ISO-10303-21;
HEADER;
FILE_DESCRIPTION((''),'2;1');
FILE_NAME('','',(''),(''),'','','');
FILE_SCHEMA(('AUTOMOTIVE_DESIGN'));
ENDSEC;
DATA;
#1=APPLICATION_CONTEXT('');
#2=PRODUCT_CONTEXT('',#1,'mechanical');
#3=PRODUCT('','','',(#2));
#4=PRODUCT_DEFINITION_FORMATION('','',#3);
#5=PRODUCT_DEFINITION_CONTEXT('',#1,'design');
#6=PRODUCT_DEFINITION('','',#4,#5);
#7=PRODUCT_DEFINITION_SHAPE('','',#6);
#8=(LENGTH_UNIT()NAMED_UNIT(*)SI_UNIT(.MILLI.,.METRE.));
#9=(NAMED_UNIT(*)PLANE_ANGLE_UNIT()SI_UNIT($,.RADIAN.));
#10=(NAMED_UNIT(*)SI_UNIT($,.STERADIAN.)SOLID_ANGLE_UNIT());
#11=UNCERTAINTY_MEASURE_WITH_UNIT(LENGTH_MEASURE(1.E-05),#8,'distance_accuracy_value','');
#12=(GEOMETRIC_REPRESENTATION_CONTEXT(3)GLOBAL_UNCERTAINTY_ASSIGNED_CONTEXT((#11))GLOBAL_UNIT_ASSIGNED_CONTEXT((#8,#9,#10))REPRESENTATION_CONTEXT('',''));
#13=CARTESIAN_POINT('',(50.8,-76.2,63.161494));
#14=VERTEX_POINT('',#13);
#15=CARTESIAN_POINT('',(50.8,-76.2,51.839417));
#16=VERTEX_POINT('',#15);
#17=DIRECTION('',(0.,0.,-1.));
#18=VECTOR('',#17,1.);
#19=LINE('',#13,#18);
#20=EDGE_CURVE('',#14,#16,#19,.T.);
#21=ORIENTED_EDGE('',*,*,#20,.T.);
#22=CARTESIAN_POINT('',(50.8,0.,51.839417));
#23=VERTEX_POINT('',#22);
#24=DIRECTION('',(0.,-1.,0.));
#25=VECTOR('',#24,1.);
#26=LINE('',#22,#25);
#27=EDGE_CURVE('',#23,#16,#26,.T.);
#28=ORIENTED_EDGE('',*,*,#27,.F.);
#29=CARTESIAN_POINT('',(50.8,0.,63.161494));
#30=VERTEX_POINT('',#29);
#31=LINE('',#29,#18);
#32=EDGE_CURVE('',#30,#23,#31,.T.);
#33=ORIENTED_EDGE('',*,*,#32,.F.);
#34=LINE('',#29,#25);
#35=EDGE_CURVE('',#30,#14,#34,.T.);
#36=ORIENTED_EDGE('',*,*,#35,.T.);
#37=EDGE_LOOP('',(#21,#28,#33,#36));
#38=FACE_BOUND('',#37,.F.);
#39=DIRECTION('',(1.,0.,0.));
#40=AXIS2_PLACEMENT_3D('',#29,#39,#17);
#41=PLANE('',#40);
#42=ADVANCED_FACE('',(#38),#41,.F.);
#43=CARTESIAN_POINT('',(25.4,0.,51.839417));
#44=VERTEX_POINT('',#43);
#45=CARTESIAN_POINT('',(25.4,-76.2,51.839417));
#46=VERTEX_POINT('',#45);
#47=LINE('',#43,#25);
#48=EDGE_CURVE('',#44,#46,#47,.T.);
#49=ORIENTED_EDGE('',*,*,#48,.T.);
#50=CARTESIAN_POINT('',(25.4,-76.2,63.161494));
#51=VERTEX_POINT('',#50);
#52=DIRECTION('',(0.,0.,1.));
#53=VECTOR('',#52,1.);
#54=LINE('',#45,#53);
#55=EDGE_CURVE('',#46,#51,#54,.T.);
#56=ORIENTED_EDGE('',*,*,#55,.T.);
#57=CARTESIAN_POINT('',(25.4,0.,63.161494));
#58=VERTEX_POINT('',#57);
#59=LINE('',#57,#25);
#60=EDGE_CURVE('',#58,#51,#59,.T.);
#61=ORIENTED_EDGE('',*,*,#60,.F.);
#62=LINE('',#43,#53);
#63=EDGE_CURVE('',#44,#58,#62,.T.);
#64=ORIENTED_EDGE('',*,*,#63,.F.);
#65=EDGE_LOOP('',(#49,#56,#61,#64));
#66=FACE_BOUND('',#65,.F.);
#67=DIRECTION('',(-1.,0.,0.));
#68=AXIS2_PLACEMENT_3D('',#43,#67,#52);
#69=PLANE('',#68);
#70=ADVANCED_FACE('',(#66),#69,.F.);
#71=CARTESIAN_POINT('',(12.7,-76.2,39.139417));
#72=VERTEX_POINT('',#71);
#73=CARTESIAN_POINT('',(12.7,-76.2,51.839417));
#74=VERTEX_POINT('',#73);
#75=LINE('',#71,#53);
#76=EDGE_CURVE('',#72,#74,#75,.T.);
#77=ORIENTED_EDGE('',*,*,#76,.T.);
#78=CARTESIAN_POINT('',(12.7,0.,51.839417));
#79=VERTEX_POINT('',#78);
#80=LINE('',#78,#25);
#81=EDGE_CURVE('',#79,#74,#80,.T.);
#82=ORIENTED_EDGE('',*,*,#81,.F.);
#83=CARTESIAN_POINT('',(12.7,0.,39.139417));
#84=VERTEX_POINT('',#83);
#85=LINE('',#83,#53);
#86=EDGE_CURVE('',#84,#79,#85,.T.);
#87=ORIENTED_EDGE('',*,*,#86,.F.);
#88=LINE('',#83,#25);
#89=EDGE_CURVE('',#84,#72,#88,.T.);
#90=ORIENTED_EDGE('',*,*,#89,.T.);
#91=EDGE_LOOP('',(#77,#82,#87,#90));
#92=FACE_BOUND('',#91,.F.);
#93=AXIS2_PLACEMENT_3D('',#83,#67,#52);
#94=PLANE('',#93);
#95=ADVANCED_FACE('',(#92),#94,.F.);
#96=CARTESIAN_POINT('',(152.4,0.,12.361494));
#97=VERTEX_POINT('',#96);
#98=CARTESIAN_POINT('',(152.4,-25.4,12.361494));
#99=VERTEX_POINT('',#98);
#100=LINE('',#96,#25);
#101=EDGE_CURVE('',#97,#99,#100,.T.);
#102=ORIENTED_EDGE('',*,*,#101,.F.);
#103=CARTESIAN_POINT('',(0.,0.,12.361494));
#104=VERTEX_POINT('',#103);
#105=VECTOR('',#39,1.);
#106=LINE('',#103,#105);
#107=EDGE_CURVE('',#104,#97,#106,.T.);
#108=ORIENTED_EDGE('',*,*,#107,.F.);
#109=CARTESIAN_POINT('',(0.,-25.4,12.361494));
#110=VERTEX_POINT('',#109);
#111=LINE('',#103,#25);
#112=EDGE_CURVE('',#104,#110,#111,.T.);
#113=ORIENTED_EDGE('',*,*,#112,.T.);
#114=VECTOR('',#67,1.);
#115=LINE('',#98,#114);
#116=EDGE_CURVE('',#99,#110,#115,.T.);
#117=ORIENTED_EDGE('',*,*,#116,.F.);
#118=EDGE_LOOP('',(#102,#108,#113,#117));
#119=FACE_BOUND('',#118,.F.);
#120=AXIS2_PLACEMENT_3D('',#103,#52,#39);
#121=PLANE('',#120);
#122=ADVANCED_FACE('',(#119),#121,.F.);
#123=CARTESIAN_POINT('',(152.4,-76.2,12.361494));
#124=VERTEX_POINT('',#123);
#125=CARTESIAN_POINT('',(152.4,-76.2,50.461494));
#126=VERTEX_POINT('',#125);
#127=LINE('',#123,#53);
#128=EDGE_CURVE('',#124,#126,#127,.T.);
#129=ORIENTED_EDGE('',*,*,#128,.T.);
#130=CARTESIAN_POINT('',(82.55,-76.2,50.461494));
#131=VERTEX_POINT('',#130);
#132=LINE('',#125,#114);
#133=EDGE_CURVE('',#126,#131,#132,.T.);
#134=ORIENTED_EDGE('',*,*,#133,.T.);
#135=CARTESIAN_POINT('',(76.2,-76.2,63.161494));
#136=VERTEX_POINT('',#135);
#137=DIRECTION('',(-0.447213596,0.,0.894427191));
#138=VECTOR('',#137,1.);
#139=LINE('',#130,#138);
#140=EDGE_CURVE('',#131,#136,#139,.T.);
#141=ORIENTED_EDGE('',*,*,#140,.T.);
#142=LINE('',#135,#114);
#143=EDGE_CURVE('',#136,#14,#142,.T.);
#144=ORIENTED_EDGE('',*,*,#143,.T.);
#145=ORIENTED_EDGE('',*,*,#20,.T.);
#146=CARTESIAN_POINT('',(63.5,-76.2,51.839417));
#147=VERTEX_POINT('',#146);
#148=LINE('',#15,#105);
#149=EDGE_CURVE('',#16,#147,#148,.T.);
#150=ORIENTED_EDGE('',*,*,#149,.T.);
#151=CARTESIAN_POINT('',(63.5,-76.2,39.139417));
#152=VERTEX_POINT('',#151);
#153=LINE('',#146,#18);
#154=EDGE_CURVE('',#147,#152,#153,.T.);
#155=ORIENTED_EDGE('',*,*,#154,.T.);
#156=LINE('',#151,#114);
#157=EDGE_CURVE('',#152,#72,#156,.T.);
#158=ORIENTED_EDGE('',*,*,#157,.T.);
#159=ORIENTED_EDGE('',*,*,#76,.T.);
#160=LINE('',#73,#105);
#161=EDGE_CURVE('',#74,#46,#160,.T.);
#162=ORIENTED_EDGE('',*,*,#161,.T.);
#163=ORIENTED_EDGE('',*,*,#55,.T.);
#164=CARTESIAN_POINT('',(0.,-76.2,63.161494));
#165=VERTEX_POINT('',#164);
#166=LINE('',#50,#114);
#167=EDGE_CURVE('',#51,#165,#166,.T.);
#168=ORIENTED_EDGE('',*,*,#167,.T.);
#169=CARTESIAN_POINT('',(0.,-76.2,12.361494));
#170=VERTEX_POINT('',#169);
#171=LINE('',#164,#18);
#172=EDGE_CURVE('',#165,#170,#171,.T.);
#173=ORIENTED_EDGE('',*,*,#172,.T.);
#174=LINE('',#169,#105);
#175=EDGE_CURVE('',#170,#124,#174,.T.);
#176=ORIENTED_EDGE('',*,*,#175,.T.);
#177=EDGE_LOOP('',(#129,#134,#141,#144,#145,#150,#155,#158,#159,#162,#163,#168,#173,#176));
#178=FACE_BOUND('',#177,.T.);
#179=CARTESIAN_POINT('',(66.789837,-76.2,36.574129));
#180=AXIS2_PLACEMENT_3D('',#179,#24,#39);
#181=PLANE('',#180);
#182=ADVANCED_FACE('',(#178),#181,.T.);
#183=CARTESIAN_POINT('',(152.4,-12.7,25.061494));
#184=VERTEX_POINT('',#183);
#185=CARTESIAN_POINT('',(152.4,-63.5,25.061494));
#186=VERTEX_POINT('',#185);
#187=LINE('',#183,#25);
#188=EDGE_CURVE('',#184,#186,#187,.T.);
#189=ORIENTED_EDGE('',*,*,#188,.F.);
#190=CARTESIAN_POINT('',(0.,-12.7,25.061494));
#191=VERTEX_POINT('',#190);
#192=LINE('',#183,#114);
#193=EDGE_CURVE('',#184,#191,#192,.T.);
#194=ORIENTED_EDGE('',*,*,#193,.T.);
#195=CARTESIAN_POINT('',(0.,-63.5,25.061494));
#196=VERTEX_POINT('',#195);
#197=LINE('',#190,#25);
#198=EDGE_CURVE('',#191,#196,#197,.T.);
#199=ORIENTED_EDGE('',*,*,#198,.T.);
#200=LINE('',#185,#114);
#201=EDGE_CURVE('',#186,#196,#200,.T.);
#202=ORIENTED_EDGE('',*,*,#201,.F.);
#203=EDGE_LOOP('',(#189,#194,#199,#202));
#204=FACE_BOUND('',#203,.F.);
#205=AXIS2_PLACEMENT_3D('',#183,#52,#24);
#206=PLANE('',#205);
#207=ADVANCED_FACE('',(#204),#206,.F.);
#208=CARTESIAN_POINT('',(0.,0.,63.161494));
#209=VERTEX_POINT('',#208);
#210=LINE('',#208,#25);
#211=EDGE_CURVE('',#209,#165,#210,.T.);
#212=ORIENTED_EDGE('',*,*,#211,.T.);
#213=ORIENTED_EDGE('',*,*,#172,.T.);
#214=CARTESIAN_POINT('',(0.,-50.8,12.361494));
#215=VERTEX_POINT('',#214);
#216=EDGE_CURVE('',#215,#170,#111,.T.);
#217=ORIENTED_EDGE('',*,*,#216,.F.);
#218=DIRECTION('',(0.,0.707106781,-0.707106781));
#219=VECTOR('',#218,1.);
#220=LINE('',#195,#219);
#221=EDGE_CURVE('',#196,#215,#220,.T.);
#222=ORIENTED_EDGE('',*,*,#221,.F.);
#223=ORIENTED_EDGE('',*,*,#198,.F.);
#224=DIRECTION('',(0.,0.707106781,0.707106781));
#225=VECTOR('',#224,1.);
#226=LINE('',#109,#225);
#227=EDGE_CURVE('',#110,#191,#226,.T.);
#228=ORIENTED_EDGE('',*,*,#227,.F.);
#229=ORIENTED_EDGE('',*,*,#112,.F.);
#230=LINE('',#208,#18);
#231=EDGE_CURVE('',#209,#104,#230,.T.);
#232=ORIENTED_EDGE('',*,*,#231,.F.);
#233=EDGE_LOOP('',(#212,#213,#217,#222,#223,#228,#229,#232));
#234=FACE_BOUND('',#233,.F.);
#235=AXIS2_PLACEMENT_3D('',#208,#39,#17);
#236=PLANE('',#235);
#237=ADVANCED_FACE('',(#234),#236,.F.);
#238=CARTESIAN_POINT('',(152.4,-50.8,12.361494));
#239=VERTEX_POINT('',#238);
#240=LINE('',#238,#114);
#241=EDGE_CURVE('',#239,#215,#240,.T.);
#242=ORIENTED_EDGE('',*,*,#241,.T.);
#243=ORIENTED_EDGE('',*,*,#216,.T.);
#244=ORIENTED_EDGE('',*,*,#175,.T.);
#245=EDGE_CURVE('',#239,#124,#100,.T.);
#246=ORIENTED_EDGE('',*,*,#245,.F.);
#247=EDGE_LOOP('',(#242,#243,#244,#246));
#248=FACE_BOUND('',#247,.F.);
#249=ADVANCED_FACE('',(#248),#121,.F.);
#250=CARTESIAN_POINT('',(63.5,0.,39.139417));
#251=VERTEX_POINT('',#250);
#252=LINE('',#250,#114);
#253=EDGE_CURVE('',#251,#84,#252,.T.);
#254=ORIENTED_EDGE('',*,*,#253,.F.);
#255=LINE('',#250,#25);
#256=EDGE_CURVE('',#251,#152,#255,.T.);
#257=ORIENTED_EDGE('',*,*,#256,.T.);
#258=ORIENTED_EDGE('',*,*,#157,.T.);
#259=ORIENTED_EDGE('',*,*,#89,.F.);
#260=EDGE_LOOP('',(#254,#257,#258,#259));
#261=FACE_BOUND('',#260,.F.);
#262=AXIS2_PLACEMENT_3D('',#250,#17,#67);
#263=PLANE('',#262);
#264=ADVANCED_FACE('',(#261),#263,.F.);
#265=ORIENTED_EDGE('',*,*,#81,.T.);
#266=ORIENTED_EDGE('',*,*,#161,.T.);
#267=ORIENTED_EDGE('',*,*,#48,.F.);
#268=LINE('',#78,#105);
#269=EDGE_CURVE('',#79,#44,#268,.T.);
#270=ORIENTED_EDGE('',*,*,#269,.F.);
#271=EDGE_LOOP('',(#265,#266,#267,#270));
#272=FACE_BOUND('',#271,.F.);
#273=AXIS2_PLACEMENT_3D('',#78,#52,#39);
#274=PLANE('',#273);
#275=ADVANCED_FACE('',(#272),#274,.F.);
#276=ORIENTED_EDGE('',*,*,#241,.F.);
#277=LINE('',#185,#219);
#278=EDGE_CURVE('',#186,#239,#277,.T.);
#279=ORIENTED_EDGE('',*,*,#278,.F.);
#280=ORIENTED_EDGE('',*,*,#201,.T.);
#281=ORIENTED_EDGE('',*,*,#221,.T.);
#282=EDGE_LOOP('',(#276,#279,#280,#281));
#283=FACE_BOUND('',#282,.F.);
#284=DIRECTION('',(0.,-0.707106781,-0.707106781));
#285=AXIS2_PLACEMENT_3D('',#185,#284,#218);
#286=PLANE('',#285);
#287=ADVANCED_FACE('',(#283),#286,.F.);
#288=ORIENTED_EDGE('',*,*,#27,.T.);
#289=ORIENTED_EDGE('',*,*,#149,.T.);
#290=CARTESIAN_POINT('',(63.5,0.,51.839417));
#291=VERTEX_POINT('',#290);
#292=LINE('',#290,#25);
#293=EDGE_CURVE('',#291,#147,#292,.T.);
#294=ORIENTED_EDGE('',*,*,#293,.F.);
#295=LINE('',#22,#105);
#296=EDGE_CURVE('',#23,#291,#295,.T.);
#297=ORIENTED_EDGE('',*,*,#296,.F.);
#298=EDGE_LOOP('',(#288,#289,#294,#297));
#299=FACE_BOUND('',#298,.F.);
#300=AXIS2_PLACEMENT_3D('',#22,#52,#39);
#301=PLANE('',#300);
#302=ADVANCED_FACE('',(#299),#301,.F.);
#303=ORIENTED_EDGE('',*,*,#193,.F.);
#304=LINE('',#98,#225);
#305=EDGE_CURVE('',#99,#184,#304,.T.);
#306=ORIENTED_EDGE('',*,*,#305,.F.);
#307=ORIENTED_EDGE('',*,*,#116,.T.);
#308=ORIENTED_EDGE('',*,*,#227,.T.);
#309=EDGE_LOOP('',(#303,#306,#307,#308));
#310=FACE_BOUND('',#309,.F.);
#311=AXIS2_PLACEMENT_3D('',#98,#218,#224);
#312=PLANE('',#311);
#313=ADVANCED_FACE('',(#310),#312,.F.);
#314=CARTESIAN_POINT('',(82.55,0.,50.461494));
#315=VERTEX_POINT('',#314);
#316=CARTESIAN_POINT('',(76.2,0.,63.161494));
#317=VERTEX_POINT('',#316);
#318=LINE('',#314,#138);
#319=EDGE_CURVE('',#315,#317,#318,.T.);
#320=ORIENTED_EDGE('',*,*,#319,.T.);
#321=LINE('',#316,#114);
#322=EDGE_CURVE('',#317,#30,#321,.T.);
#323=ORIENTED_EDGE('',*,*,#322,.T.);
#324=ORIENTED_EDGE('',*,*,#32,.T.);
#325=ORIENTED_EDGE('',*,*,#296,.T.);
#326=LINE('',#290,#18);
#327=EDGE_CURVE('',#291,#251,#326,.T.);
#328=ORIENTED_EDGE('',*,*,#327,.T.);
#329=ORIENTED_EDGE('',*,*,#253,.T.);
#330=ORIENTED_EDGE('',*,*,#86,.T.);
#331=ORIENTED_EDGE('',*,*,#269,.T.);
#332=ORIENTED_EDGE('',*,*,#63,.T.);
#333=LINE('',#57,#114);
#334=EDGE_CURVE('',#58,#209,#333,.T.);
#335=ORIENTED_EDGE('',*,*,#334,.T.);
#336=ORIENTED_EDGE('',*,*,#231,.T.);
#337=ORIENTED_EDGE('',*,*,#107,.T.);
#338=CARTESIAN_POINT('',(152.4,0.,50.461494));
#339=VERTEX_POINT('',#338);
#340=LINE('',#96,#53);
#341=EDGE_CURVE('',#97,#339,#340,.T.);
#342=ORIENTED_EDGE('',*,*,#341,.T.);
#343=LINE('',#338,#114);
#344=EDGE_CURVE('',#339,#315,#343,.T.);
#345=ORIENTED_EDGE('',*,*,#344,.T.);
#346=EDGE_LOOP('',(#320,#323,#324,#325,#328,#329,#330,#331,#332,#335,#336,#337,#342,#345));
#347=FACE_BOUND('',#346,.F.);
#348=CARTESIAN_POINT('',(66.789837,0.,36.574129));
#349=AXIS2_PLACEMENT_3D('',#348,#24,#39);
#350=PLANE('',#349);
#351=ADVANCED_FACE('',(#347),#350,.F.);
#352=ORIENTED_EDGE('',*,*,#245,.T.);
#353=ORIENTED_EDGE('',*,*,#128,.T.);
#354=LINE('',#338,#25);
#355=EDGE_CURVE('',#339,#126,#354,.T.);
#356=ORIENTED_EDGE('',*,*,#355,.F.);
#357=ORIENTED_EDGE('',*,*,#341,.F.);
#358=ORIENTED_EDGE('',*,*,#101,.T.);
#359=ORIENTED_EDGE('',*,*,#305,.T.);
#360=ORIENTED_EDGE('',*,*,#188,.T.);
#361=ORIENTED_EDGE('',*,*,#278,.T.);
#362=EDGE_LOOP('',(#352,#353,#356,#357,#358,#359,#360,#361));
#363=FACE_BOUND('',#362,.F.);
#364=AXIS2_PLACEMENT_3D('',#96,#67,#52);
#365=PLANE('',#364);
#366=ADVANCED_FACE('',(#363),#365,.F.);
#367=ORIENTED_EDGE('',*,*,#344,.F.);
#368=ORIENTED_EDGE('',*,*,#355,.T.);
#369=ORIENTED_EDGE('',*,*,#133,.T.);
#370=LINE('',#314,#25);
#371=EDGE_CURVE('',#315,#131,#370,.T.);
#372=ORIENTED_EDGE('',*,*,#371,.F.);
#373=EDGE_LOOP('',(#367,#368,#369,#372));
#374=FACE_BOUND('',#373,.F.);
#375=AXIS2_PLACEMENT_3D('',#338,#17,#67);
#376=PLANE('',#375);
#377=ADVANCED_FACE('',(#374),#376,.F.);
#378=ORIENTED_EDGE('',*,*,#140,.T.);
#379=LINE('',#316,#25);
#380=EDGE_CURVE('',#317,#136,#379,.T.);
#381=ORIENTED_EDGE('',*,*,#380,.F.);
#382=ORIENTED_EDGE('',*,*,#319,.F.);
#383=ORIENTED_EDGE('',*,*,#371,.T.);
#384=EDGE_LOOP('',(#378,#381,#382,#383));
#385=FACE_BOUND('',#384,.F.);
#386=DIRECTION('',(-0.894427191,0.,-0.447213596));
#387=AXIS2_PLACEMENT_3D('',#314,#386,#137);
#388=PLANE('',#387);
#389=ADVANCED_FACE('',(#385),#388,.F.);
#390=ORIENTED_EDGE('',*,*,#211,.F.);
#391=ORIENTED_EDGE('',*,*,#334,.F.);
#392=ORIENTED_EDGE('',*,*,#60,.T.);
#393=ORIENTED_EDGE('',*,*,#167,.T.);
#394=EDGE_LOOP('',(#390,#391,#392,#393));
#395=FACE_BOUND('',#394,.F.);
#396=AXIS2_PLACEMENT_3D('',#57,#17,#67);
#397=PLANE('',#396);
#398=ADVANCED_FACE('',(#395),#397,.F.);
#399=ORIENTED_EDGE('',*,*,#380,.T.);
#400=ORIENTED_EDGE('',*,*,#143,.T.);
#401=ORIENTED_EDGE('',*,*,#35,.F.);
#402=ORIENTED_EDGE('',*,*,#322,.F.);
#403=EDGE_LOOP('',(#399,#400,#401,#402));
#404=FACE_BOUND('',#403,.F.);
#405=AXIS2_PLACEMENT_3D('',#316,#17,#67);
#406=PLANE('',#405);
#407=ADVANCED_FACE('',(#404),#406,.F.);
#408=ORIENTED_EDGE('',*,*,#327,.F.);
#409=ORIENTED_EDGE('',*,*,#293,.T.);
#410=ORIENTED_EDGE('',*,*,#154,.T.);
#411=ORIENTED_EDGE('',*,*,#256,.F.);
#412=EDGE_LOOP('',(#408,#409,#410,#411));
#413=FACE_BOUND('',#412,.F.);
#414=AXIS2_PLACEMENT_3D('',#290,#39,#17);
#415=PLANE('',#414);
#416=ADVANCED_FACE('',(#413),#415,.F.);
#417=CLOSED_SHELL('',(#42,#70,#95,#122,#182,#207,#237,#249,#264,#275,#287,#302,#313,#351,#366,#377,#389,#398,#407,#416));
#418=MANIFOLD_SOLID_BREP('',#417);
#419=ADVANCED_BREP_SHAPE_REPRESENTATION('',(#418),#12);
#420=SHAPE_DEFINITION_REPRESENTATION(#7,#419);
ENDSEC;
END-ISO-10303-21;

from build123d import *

# Parameters (mm, degrees)
F1_DEPTH = 76.2
F3_DEPTH = 152.4


with BuildPart() as f1:
    # F0 (on Front) → F1 (new body)
    with BuildSketch(Plane.XZ):
        Polygon((25.4, 63.161494), (0, 63.161494), (0, 12.361494), (152.4, 12.361494), (152.4, 50.461494), (82.55, 50.461494), (76.2, 63.161494), (50.8, 63.161494), (50.8, 51.839417), (63.5, 51.839417), (63.5, 39.139417), (12.7, 39.139417), (12.7, 51.839417), (25.4, 51.839417), align=None)
    extrude(amount=F1_DEPTH)

    # F2 (on face) → F3 (cut)
    with BuildSketch(Plane.YZ.offset(152.4)):
        Polygon((-63.5, 25.061494), (-50.8, 12.361494), (-25.4, 12.361494), (-12.7, 25.061494), align=None)
    extrude(amount=-F3_DEPTH, mode=Mode.SUBTRACT)


solid = f1.part
